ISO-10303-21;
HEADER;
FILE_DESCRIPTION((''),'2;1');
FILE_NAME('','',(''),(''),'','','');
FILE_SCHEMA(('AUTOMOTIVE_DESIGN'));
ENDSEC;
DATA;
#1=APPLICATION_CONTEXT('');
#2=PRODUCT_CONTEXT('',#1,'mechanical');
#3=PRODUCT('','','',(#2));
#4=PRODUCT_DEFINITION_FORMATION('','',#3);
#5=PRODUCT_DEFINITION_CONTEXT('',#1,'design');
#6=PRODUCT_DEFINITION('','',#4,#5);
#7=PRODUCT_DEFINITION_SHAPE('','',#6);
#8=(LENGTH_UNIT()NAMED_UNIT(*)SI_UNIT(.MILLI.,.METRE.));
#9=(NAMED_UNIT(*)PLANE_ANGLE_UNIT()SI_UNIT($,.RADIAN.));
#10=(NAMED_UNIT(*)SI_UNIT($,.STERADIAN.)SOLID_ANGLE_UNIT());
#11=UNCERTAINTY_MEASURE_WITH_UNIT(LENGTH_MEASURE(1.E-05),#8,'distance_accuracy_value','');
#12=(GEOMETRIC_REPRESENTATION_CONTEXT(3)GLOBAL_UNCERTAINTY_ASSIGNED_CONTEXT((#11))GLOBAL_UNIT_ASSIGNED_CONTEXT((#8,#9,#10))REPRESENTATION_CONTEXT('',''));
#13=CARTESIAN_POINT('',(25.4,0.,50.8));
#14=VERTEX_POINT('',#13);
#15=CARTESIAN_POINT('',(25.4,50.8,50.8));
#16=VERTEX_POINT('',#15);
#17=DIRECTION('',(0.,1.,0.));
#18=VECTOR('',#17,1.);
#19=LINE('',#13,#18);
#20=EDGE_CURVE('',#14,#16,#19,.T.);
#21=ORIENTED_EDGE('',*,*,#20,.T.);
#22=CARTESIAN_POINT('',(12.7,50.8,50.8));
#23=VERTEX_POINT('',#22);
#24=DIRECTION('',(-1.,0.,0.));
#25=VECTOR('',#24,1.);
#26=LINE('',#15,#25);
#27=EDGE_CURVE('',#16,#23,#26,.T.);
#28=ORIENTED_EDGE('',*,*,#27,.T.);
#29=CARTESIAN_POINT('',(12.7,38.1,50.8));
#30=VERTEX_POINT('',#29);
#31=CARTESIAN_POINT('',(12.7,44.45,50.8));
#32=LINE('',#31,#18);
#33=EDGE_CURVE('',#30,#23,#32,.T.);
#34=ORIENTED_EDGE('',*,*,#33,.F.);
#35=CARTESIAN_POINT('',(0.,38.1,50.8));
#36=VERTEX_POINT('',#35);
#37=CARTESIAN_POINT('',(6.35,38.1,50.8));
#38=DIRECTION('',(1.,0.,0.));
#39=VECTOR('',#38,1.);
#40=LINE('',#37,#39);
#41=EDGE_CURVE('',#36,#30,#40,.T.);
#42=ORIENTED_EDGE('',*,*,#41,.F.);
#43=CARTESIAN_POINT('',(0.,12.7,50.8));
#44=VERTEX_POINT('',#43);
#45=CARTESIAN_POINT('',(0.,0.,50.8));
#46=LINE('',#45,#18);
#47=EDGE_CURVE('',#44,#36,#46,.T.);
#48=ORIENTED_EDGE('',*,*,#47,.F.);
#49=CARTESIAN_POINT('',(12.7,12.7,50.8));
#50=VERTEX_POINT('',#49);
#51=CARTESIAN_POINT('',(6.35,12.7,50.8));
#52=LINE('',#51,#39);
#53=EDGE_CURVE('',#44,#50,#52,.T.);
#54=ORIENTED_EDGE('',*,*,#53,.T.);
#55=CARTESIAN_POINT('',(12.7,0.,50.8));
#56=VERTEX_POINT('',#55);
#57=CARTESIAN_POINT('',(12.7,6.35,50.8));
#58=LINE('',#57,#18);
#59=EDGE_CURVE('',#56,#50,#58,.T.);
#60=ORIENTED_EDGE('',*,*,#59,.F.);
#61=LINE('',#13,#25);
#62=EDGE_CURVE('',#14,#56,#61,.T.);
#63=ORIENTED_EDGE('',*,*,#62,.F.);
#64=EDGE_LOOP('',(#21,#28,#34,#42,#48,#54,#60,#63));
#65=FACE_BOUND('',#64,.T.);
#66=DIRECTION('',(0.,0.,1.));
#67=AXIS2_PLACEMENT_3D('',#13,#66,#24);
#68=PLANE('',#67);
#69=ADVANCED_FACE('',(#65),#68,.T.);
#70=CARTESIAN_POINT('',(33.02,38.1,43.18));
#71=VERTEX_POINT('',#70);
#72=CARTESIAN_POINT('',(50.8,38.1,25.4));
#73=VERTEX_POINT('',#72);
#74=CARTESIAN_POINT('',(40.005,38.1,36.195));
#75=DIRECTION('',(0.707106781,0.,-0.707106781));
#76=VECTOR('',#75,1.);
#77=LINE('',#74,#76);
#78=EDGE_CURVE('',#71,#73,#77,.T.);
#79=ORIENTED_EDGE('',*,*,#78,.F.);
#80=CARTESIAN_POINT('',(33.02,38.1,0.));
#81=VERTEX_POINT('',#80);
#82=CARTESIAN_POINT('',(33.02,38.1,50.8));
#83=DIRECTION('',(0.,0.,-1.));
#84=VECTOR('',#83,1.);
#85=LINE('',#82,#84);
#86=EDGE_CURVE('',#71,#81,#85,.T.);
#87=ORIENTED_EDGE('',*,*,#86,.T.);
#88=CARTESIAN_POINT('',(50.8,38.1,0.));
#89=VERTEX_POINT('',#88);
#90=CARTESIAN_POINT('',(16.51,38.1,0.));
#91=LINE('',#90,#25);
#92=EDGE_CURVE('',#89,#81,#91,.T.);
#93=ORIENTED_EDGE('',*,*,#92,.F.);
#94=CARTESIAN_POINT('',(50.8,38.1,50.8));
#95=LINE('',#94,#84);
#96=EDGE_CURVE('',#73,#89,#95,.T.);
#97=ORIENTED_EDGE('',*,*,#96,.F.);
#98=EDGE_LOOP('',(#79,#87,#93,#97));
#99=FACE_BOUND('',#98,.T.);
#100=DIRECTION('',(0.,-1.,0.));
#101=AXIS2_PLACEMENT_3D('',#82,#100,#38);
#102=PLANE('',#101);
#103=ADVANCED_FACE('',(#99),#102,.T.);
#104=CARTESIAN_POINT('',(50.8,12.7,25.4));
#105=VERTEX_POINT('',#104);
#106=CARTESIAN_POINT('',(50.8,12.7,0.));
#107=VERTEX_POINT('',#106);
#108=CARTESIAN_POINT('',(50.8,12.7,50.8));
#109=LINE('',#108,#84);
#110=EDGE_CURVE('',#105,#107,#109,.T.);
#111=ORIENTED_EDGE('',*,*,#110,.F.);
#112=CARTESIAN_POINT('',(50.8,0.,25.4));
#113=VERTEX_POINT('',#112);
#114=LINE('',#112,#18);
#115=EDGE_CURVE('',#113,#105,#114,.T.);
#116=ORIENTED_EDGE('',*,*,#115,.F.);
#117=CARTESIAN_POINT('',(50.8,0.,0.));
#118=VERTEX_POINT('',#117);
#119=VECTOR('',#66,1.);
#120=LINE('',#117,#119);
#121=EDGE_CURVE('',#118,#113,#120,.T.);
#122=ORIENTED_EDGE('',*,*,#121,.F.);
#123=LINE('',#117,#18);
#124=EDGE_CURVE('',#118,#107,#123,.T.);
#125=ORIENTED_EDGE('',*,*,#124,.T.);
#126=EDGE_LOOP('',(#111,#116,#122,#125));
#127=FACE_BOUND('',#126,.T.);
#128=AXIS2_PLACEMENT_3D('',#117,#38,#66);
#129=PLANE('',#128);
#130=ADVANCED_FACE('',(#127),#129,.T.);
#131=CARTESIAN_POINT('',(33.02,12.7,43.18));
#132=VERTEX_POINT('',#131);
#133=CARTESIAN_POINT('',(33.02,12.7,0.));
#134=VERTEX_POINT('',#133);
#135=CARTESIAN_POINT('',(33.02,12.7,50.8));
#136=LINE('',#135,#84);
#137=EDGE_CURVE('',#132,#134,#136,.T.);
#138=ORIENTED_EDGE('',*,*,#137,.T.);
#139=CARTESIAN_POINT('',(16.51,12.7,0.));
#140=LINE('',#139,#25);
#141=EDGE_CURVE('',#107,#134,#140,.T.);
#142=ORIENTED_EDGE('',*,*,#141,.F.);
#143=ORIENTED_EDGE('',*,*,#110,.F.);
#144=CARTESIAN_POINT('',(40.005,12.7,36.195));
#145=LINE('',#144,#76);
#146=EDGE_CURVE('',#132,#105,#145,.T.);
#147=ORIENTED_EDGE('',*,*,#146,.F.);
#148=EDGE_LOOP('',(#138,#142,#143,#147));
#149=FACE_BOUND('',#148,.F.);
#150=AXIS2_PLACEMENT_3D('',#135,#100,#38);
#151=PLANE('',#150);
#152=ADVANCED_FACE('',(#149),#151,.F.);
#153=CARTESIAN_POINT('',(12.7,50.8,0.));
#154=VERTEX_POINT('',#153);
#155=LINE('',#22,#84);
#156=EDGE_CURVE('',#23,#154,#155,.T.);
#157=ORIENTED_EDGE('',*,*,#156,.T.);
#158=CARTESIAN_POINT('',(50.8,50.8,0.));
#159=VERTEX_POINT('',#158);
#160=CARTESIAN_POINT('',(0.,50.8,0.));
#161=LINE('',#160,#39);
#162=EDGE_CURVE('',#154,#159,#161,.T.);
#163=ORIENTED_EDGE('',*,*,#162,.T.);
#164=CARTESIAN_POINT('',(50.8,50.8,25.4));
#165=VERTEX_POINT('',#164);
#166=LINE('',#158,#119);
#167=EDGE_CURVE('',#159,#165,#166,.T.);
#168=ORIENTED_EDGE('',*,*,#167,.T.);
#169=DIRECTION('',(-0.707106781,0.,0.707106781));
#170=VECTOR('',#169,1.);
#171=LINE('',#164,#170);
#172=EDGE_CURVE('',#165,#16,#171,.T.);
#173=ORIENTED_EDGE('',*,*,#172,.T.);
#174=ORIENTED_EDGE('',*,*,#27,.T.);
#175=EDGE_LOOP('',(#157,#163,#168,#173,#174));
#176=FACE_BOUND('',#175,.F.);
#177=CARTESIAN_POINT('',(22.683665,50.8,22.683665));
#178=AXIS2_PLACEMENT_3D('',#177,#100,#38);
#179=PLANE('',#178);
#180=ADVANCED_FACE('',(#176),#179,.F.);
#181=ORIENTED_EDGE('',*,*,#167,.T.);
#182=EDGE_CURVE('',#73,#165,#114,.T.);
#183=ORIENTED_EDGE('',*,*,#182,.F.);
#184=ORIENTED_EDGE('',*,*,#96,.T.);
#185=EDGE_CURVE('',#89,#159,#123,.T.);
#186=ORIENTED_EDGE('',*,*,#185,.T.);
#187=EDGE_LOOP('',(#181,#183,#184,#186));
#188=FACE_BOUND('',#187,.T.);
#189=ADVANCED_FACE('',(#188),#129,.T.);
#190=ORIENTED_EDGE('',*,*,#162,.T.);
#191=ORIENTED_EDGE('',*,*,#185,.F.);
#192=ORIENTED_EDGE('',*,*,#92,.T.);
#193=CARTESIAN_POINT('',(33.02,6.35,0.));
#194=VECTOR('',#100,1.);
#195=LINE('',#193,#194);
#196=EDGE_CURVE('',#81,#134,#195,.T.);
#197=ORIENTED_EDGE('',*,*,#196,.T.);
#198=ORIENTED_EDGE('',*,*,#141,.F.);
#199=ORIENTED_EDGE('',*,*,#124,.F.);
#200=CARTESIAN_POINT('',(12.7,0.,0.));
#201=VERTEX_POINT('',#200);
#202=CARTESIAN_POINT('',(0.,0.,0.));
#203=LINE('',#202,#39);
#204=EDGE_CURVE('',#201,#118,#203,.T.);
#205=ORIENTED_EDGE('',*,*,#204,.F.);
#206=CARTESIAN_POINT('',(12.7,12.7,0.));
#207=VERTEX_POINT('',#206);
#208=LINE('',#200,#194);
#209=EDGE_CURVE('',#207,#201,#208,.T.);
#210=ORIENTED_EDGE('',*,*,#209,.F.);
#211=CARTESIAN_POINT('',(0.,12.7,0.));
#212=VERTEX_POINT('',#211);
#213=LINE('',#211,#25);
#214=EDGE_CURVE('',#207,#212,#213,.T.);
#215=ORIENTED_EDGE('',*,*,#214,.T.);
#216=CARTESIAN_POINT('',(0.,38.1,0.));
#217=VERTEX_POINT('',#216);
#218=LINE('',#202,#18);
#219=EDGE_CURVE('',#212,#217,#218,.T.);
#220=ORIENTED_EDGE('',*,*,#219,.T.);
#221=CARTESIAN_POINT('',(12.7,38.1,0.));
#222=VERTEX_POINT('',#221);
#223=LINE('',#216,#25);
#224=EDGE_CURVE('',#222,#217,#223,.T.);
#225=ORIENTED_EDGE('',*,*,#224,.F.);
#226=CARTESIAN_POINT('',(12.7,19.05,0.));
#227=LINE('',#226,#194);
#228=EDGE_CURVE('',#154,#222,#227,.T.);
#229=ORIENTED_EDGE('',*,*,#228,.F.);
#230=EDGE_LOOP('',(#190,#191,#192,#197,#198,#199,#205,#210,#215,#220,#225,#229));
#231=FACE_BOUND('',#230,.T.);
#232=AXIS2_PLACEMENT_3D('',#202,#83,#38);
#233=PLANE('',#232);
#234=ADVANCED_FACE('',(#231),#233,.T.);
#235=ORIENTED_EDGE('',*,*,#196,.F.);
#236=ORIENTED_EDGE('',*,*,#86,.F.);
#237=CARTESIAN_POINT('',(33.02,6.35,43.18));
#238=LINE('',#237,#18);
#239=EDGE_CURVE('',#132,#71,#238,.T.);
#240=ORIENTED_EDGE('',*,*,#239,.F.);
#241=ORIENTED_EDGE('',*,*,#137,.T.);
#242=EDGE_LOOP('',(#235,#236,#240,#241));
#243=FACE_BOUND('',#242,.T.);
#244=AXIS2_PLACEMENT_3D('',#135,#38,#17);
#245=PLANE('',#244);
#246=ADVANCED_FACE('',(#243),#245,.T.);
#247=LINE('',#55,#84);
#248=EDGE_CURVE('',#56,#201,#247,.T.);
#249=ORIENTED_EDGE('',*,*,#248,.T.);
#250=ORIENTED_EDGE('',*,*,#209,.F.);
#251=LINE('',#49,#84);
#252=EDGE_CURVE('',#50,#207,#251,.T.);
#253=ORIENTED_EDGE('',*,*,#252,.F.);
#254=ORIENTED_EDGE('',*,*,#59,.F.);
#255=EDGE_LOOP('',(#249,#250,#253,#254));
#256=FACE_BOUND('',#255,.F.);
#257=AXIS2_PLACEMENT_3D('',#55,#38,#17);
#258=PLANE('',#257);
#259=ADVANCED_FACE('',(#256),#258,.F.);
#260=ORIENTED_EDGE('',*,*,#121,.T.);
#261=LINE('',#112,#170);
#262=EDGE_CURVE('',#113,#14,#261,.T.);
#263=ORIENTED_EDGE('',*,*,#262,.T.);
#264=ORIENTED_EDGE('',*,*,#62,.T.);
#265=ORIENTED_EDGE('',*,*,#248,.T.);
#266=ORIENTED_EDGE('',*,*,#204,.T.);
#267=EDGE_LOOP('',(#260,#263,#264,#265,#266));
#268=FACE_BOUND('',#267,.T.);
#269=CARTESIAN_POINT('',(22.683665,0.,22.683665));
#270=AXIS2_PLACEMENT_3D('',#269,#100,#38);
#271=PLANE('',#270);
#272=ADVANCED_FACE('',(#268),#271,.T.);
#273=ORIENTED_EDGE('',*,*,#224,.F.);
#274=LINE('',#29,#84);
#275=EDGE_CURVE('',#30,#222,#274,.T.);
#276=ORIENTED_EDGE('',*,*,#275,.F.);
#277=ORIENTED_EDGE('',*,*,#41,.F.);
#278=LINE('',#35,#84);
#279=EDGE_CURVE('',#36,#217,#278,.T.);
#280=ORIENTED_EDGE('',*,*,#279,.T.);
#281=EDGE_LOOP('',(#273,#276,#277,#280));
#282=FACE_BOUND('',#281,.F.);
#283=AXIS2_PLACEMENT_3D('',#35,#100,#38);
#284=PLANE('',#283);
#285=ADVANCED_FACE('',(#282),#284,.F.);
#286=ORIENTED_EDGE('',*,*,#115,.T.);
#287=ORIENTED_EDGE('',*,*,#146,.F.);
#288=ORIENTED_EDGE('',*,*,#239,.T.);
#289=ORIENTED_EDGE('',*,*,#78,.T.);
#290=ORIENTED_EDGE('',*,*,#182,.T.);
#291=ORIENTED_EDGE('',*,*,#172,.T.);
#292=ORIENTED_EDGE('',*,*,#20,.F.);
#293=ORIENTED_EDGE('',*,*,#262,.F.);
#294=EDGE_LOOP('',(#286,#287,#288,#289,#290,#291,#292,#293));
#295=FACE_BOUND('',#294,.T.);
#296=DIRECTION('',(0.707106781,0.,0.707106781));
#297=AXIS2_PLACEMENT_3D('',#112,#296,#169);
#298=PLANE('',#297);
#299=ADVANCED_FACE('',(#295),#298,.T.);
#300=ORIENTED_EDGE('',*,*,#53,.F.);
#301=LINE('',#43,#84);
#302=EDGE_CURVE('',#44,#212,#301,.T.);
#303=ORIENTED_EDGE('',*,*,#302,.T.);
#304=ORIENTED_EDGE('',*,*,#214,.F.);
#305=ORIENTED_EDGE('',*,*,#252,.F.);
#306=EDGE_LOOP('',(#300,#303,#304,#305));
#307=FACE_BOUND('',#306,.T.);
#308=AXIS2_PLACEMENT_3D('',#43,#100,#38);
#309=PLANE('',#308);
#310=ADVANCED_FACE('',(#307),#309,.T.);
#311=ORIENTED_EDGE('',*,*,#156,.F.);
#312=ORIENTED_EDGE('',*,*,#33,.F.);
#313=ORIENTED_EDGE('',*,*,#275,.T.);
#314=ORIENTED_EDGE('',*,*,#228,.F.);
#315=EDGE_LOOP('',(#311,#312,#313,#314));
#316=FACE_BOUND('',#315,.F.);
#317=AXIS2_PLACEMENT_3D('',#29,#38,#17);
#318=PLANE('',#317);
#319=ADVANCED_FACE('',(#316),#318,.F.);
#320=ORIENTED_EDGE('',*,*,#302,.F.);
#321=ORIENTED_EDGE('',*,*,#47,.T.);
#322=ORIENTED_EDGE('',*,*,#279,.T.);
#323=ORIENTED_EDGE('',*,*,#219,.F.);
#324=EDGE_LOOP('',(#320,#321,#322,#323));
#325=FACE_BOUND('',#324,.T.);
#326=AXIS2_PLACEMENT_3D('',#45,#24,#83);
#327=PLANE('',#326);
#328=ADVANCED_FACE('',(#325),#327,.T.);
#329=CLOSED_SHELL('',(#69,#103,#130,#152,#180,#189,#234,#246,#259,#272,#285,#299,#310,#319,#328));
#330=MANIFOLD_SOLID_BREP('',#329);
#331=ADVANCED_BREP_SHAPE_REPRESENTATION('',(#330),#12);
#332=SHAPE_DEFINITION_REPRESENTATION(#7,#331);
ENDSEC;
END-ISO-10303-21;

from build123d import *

# Parameters (mm, degrees)
F1_DEPTH = 50.8
F2_W     = 12.7
F2_H     = 12.7
F3_DEPTH = 50.801
F4_W     = 17.78
F4_H     = 25.4
F5_DEPTH = 50.801


with BuildPart() as f1:
    # F0 (on Front) → F1 (new body)
    with BuildSketch(Plane.XZ):
        Polygon((0, 50.8), (0, 0), (50.8, 0), (50.8, 25.4), (25.4, 50.8), align=None)
    extrude(amount=-F1_DEPTH)

    # F2 (on face) → F3 (cut, through all)
    with BuildSketch(Plane.XY.offset(50.8)):
        with Locations((6.35, 44.45)):
            Rectangle(F2_W, F2_H)
        with Locations((6.35, 6.35)):
            Rectangle(F2_W, F2_H)
    extrude(amount=-F3_DEPTH, mode=Mode.SUBTRACT)

    # F4 (on face) → F5 (cut, through all)
    with BuildSketch(Plane.XY.offset(50.8)):
        with Locations((41.91, 25.4)):
            Rectangle(F4_W, F4_H)
    extrude(amount=-F5_DEPTH, mode=Mode.SUBTRACT)


solid = f1.part
